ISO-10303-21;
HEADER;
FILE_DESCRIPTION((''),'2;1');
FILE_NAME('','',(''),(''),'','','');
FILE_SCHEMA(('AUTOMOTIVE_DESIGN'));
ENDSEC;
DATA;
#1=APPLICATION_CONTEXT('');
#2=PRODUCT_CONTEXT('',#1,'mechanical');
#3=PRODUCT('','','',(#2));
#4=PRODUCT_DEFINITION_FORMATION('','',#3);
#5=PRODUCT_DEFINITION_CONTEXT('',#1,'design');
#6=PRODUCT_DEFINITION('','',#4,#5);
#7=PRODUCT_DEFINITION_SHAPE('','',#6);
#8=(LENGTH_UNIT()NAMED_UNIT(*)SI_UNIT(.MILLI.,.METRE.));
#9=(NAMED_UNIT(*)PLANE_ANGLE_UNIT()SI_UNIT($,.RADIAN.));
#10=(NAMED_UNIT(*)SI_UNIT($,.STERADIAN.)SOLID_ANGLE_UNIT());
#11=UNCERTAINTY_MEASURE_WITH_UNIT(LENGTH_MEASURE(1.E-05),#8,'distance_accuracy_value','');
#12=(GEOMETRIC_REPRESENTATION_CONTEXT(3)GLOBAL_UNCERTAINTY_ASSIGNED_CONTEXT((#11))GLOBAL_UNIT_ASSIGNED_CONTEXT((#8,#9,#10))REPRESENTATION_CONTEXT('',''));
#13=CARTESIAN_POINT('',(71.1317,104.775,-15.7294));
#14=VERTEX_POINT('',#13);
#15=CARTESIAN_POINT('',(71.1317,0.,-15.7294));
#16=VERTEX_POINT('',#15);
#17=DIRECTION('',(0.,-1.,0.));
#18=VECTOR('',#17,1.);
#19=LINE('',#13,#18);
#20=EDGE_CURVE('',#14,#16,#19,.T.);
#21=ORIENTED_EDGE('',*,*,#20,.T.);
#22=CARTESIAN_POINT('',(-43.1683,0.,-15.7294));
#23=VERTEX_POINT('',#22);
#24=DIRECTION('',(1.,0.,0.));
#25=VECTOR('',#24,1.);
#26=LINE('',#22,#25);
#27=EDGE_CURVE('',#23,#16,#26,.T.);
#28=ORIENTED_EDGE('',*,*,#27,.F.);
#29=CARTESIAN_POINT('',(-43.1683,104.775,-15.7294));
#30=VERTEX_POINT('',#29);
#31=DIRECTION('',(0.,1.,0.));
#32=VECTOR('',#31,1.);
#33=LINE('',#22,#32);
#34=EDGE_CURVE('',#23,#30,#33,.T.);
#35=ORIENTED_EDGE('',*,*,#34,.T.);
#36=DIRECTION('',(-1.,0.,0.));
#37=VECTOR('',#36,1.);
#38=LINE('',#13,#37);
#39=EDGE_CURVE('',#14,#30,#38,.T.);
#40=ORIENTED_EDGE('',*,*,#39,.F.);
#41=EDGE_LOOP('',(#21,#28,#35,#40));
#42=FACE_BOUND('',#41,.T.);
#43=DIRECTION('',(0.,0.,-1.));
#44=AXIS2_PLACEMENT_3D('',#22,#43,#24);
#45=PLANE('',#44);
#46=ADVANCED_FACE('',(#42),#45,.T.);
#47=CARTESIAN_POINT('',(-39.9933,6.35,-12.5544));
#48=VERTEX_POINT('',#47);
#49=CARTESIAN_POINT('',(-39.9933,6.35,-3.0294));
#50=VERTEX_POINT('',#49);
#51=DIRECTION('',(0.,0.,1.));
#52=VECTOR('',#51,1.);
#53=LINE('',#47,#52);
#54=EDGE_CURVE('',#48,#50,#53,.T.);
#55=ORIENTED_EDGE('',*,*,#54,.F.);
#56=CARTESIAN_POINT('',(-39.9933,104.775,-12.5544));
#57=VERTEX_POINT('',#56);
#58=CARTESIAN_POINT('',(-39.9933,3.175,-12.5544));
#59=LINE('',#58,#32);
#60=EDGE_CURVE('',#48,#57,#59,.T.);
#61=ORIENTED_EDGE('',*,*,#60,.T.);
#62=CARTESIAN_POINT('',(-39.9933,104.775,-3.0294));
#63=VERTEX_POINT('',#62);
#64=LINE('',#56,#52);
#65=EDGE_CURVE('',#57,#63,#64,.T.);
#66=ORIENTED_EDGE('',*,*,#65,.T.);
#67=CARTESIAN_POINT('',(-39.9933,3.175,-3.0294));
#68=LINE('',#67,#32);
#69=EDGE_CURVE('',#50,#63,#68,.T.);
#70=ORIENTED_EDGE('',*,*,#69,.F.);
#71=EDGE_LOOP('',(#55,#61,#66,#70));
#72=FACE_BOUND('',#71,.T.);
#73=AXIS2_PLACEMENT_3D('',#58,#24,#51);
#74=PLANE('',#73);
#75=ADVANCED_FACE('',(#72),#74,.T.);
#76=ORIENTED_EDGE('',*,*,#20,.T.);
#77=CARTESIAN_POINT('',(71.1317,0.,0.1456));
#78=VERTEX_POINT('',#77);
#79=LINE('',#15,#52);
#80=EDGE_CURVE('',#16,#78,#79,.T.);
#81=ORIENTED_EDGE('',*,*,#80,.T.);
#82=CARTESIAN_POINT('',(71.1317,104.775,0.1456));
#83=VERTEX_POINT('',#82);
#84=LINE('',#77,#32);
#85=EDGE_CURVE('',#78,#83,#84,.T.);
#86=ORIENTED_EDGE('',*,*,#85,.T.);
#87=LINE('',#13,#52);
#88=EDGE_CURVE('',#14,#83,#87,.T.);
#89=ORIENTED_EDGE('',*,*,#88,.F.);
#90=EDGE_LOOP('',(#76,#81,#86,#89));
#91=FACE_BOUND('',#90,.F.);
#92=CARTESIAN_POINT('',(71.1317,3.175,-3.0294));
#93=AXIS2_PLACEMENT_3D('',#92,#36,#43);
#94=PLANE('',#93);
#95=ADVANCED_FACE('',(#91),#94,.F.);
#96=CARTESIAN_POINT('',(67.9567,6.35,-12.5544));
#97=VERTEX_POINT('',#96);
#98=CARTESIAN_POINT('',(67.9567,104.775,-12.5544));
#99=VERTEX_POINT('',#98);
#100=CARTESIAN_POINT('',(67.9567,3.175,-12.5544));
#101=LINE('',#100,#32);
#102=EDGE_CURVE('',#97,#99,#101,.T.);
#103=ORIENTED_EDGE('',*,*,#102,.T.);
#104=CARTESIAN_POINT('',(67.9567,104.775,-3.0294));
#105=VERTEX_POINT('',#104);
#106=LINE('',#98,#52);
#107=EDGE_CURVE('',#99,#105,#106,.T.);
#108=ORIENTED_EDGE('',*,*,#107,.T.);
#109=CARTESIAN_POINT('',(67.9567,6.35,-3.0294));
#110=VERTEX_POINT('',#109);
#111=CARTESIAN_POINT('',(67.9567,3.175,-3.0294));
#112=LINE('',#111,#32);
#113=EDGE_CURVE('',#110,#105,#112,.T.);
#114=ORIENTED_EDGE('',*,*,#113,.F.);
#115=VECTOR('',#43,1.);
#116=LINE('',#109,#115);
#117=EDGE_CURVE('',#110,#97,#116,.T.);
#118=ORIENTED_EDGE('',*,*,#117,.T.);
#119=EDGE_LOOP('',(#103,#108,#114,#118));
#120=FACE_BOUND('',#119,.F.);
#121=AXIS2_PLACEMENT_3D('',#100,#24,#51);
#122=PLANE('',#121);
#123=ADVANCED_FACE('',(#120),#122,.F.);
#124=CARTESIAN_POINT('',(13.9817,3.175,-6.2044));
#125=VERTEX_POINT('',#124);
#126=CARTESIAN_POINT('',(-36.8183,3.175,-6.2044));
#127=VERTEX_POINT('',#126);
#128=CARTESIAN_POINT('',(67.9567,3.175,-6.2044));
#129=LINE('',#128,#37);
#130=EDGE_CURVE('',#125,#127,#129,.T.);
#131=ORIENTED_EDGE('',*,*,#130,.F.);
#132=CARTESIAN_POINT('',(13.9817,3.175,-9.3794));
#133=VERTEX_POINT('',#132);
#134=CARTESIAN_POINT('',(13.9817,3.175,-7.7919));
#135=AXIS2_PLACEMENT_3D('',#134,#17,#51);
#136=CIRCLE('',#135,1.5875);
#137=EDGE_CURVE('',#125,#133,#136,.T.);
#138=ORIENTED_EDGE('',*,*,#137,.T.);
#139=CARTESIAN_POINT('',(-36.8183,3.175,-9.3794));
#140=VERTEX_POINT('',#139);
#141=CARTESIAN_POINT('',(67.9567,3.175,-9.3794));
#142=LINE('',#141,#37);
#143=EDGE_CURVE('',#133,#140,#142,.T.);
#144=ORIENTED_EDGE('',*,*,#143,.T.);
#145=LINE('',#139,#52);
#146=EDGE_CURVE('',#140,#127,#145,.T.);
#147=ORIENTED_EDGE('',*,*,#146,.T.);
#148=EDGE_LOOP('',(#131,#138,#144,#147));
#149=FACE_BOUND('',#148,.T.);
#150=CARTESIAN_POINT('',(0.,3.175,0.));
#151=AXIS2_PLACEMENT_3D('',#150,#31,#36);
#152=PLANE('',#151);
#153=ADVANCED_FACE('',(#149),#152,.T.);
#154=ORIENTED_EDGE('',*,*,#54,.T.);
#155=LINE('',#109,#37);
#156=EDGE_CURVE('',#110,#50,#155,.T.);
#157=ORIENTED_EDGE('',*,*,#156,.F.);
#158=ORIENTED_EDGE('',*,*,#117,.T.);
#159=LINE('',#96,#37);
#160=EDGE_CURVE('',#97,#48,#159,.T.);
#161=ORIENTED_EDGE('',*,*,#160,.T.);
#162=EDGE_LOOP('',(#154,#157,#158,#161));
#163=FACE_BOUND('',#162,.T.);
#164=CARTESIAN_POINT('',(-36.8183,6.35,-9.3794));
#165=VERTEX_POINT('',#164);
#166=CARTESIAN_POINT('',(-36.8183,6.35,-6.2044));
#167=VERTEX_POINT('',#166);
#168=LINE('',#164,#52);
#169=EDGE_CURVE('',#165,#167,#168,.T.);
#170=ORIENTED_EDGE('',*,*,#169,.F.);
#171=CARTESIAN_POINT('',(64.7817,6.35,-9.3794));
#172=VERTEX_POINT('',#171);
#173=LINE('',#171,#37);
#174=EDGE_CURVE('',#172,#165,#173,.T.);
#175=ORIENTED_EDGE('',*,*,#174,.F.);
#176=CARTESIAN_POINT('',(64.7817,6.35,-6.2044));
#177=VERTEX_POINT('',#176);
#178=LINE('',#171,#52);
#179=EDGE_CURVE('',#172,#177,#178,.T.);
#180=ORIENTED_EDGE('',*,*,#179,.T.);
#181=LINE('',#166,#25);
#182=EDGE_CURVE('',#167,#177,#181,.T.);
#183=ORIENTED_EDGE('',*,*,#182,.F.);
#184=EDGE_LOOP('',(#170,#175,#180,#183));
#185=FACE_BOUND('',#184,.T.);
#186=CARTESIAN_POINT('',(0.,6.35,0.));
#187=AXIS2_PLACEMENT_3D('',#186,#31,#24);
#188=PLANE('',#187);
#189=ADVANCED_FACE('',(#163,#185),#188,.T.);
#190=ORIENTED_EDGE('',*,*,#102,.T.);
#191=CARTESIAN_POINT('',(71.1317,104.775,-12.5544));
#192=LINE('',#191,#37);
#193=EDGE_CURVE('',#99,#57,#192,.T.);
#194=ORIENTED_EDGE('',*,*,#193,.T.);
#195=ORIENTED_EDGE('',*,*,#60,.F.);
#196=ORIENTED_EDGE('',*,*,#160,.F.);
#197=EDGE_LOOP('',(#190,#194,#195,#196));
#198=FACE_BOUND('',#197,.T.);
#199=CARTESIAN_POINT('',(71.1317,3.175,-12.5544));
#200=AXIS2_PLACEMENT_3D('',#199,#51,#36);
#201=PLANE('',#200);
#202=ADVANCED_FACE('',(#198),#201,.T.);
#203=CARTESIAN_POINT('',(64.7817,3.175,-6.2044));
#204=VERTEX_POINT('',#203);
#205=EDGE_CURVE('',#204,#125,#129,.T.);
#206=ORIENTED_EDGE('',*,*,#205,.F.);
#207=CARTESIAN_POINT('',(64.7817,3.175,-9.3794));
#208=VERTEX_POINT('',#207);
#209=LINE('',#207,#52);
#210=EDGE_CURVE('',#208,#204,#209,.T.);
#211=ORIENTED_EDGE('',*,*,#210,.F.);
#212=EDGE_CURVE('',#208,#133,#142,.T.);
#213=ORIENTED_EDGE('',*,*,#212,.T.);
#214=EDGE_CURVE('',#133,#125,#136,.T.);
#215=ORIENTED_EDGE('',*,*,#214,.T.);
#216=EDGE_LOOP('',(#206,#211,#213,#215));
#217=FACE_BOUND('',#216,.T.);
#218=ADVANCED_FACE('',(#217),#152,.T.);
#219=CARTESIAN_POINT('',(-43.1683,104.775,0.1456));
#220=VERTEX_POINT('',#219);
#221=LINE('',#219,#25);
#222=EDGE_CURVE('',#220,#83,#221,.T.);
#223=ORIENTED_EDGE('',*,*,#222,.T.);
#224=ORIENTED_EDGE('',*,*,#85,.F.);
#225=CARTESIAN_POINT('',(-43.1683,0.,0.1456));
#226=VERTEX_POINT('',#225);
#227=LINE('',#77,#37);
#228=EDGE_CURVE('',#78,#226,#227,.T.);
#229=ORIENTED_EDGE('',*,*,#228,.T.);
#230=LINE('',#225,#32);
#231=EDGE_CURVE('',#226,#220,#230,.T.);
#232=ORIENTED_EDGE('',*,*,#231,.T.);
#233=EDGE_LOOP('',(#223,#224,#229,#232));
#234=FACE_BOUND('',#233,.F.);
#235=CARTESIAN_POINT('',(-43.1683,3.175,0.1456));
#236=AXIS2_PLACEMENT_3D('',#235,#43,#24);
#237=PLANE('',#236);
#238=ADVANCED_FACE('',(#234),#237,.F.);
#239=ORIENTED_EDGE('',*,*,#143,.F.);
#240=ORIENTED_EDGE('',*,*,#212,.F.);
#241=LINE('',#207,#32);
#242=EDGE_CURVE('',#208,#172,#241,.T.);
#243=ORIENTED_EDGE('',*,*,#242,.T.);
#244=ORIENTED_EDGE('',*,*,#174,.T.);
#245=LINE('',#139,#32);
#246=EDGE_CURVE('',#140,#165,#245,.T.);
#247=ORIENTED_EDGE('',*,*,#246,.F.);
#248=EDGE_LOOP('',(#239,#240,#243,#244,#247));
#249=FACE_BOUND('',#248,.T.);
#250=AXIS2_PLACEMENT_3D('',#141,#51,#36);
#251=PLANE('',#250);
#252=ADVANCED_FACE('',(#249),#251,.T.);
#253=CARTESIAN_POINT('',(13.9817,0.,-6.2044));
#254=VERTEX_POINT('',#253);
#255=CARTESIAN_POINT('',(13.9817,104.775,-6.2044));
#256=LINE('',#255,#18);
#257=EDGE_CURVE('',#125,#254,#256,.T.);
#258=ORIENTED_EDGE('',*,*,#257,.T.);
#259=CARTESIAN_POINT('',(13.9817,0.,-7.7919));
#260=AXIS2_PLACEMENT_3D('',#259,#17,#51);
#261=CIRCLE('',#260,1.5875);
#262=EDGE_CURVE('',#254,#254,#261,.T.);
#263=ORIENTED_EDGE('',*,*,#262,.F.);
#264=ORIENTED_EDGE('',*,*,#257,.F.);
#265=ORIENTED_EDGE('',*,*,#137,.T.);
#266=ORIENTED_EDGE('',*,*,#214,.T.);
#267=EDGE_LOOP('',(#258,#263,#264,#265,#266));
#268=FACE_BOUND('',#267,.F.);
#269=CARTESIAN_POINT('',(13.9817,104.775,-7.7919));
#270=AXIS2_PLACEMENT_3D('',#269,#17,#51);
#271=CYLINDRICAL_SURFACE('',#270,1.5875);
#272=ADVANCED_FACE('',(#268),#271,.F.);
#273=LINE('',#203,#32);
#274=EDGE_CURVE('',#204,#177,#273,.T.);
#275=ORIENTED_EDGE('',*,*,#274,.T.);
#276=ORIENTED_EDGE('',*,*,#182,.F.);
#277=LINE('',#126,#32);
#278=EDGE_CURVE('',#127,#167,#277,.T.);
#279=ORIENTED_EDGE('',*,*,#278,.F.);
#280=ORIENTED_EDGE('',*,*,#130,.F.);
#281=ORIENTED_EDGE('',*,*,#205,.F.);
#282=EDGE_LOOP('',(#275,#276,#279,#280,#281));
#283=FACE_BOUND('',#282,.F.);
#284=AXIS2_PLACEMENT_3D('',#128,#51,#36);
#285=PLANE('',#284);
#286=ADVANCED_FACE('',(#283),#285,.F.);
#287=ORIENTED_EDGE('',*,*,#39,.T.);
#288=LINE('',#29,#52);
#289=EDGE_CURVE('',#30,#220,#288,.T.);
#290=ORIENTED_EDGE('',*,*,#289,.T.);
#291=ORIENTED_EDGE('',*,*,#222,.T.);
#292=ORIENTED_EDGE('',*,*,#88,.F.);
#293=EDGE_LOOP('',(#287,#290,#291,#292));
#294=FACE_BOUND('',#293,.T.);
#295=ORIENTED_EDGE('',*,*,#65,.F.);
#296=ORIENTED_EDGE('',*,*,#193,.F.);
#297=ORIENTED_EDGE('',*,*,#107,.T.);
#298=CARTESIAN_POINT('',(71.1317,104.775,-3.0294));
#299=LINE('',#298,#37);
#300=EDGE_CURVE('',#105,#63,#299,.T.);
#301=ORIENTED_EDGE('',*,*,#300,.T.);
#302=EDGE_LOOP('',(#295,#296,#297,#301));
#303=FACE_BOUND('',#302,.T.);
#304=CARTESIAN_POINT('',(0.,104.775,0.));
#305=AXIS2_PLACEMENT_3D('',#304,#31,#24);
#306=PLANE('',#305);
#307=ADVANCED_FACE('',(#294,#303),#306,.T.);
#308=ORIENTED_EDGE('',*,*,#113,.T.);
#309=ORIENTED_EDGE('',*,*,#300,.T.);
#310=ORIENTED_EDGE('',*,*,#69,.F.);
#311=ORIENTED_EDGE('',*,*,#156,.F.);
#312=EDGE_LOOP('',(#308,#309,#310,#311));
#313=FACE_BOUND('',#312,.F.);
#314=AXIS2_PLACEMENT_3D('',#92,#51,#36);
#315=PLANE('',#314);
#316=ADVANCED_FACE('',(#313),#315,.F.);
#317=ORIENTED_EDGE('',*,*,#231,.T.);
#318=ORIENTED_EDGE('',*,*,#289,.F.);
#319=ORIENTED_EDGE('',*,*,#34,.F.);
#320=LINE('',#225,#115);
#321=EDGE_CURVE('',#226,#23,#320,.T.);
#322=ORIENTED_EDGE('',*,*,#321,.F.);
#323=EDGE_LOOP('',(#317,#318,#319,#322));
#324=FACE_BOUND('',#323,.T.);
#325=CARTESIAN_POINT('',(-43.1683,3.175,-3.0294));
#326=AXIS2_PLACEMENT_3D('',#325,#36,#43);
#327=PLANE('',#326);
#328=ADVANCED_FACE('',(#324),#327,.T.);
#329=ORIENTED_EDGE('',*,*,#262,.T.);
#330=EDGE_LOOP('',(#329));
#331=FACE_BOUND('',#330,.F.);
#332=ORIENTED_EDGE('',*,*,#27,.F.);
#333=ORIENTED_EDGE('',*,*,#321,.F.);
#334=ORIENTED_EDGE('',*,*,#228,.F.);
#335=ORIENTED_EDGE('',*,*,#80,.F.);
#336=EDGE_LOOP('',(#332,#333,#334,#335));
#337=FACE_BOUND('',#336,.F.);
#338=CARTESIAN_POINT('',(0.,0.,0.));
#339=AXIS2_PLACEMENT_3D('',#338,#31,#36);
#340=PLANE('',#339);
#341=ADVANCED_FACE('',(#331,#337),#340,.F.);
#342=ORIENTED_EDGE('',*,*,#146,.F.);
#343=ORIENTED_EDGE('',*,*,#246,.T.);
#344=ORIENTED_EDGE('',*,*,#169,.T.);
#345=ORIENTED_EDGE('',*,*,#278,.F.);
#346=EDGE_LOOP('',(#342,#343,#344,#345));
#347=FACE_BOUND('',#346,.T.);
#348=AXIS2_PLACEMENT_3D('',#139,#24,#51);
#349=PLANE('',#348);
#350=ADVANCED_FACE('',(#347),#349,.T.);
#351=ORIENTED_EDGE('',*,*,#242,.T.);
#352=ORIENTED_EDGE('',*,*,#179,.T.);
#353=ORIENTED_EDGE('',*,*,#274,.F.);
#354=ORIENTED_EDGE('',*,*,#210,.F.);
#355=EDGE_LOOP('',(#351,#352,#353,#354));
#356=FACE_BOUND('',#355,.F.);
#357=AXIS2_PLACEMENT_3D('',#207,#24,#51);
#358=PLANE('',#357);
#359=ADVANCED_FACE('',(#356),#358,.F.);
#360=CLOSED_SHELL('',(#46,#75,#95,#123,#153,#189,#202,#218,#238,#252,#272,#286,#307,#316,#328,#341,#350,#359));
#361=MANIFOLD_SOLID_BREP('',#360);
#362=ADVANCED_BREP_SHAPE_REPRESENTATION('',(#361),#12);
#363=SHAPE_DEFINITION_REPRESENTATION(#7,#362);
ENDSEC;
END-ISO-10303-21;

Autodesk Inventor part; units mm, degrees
ref_plane "YZ Plane" through (0, 0, 0) normal (1, 0, 0) x (0, 1, 0)
ref_plane "XZ Plane" through (0, 0, 0) normal (0, 1, 0) x (-1, 0, 0)
ref_plane "XY Plane" through (0, 0, 0) normal (0, 0, 1) x (1, 0, 0)
sketch "Sketch1" plane through (0, 0, 0) normal (0, 1, 0) x (-1, 0, 0)
  line L0 (43.1683, -15.7294) -> (-71.1317, -15.7294)
  line L1 (-71.1317, -15.7294) -> (-71.1317, 0.1456)
  line L2 (-71.1317, 0.1456) -> (43.1683, 0.1456)
  line L3 (43.1683, 0.1456) -> (43.1683, -15.7294)
  point P0 (0, 0)
  dimension "d0" = 114.3
  dimension "d1" = 15.875
extrude "Extrusion1" add sketch "Sketch1" along normal blind 3.175
sketch "Sketch6" plane through (0, 3.175, 0) normal (0, 1, 0) x (1, 0, 0)
  line L0 (71.1317, 15.7294) -> (-43.1683, 15.7294) projected
  line L1 (-43.1683, 15.7294) -> (71.1317, 15.7294)
  line L2 (71.1317, 15.7294) -> (71.1317, 12.5544)
  line L3 (71.1317, 12.5544) -> (-43.1683, 12.5544)
  line L4 (-43.1683, 12.5544) -> (-43.1683, 15.7294)
  point P0 (0, 0)
  dimension "d33" = 3.175
  dimension "d34" = 114.3
extrude "Extrusion2" add sketch "Sketch6" along normal blind 101.6
sketch "Sketch9" plane through (0, 3.175, 0) normal (0, 1, 0) x (1, 0, 0)
  line L0 (-43.1683, -0.1456) -> (71.1317, -0.1456) projected
  line L1 (-43.1683, -0.1456) -> (71.1317, -0.1456)
  line L2 (71.1317, -0.1456) -> (71.1317, 3.0294)
  line L3 (71.1317, 3.0294) -> (-43.1683, 3.0294)
  line L4 (-43.1683, 3.0294) -> (-43.1683, -0.1456)
  point P0 (0, 0)
  dimension "d41" = 3.175
  dimension "d42" = 114.3
extrude "Extrusion3" add sketch "Sketch9" along normal blind 101.6
sketch "Sketch11" plane through (0, 3.175, 0) normal (0, 1, 0) x (1, 0, 0)
  line L0 (-43.1683, 12.5544) -> (71.1317, 12.5544) projected
  line L1 (-43.1683, 12.5544) -> (-39.9933, 12.5544)
  line L2 (-39.9933, 12.5544) -> (-39.9933, 3.0294)
  line L3 (-39.9933, 3.0294) -> (-43.1683, 3.0294)
  line L4 (-43.1683, 3.0294) -> (-43.1683, 12.5544)
  point P0 (0, 0)
  dimension "d45" = 3.175
  dimension "d46" = 9.525
extrude "Extrusion4" add sketch "Sketch11" along normal blind 101.6
sketch "Sketch13" plane through (0, 3.175, 0) normal (0, 1, 0) x (1, 0, 0)
  line L0 (71.1317, 12.5544) -> (-39.9933, 12.5544) projected
  line L1 (71.1317, 12.5544) -> (67.9567, 12.5544)
  line L2 (67.9567, 12.5544) -> (67.9567, 3.0294)
  line L3 (67.9567, 3.0294) -> (71.1317, 3.0294)
  line L4 (71.1317, 3.0294) -> (71.1317, 12.5544)
  point P0 (0, 0)
  dimension "d51" = 3.175
  dimension "d52" = 9.525
extrude "Extrusion5" add sketch "Sketch13" along normal blind 101.6
sketch "Sketch14" plane through (0, 3.175, 0) normal (0, 1, 0) x (1, 0, 0)
  line L0 (67.9567, 12.5544) -> (-39.9933, 12.5544) projected
  line L1 (-39.9933, 12.5544) -> (67.9567, 12.5544)
  line L2 (67.9567, 12.5544) -> (67.9567, 9.3794)
  line L3 (67.9567, 9.3794) -> (-39.9933, 9.3794)
  line L4 (-39.9933, 9.3794) -> (-39.9933, 12.5544)
  point P0 (0, 0)
  dimension "d55" = 3.175
  dimension "d56" = 107.95
extrude "Extrusion6" add sketch "Sketch14" along normal blind 3.175
sketch "Sketch15" plane through (0, 3.175, 0) normal (0, 1, 0) x (1, 0, 0)
  line L0 (67.9567, 3.0294) -> (-39.9933, 3.0294) projected
  line L1 (-39.9933, 3.0294) -> (67.9567, 3.0294)
  line L2 (67.9567, 3.0294) -> (67.9567, 6.2044)
  line L3 (67.9567, 6.2044) -> (-39.9933, 6.2044)
  line L4 (-39.9933, 6.2044) -> (-39.9933, 3.0294)
  point P0 (0, 0)
  dimension "d59" = 3.175
  dimension "d60" = 107.95
extrude "Extrusion7" add sketch "Sketch15" along normal blind 3.175
sketch "Sketch17" plane through (0, 3.175, 0) normal (0, 1, 0) x (1, 0, 0)
  line L0 (67.9567, 9.3794) -> (-39.9933, 9.3794) projected
  line L1 (-39.9933, 9.3794) -> (-36.8183, 9.3794)
  line L2 (-36.8183, 9.3794) -> (-36.8183, 6.2044)
  line L3 (-36.8183, 6.2044) -> (-39.9933, 6.2044)
  line L4 (-39.9933, 6.2044) -> (-39.9933, 9.3794)
  point P0 (0, 0)
  dimension "d64" = 3.175
  dimension "d65" = 3.175
extrude "Extrusion8" add sketch "Sketch17" along normal blind 3.175
sketch "Sketch18" plane through (0, 3.175, 0) normal (0, 1, 0) x (1, 0, 0)
  line L0 (-36.8183, 9.3794) -> (67.9567, 9.3794) projected
  line L1 (67.9567, 9.3794) -> (64.7817, 9.3794)
  line L2 (64.7817, 9.3794) -> (64.7817, 6.2044)
  line L3 (64.7817, 6.2044) -> (67.9567, 6.2044)
  line L4 (67.9567, 6.2044) -> (67.9567, 9.3794)
  point P0 (0, 0)
  dimension "d68" = 3.175
  dimension "d69" = 3.175
extrude "Extrusion9" add sketch "Sketch18" along normal blind 3.175
sketch "Sketch20" plane through (0, 104.775, 0) normal (0, 1, 0) x (1, 0, 0)
  line L0 (-43.1683, -0.1456) -> (71.1317, -0.1456) projected
  line L1 (-43.1683, -0.1456) -> (-43.1683, 7.7919)
  line L2 (-43.1683, 15.7294) -> (-43.1683, -0.1456) projected
  line L3 (-43.1683, 7.7919) -> (13.9817, 7.7919)
  point P0 (0, 0)
  dimension "d79" = 7.9375
  dimension "d80" = 57.15
hole "Hole6" at (13.9817, 104.775, -7.7919) direction (0, -1, 0) diameter 3.175 end through all
properties part number "sing_cell_bottom_case_alternate"
